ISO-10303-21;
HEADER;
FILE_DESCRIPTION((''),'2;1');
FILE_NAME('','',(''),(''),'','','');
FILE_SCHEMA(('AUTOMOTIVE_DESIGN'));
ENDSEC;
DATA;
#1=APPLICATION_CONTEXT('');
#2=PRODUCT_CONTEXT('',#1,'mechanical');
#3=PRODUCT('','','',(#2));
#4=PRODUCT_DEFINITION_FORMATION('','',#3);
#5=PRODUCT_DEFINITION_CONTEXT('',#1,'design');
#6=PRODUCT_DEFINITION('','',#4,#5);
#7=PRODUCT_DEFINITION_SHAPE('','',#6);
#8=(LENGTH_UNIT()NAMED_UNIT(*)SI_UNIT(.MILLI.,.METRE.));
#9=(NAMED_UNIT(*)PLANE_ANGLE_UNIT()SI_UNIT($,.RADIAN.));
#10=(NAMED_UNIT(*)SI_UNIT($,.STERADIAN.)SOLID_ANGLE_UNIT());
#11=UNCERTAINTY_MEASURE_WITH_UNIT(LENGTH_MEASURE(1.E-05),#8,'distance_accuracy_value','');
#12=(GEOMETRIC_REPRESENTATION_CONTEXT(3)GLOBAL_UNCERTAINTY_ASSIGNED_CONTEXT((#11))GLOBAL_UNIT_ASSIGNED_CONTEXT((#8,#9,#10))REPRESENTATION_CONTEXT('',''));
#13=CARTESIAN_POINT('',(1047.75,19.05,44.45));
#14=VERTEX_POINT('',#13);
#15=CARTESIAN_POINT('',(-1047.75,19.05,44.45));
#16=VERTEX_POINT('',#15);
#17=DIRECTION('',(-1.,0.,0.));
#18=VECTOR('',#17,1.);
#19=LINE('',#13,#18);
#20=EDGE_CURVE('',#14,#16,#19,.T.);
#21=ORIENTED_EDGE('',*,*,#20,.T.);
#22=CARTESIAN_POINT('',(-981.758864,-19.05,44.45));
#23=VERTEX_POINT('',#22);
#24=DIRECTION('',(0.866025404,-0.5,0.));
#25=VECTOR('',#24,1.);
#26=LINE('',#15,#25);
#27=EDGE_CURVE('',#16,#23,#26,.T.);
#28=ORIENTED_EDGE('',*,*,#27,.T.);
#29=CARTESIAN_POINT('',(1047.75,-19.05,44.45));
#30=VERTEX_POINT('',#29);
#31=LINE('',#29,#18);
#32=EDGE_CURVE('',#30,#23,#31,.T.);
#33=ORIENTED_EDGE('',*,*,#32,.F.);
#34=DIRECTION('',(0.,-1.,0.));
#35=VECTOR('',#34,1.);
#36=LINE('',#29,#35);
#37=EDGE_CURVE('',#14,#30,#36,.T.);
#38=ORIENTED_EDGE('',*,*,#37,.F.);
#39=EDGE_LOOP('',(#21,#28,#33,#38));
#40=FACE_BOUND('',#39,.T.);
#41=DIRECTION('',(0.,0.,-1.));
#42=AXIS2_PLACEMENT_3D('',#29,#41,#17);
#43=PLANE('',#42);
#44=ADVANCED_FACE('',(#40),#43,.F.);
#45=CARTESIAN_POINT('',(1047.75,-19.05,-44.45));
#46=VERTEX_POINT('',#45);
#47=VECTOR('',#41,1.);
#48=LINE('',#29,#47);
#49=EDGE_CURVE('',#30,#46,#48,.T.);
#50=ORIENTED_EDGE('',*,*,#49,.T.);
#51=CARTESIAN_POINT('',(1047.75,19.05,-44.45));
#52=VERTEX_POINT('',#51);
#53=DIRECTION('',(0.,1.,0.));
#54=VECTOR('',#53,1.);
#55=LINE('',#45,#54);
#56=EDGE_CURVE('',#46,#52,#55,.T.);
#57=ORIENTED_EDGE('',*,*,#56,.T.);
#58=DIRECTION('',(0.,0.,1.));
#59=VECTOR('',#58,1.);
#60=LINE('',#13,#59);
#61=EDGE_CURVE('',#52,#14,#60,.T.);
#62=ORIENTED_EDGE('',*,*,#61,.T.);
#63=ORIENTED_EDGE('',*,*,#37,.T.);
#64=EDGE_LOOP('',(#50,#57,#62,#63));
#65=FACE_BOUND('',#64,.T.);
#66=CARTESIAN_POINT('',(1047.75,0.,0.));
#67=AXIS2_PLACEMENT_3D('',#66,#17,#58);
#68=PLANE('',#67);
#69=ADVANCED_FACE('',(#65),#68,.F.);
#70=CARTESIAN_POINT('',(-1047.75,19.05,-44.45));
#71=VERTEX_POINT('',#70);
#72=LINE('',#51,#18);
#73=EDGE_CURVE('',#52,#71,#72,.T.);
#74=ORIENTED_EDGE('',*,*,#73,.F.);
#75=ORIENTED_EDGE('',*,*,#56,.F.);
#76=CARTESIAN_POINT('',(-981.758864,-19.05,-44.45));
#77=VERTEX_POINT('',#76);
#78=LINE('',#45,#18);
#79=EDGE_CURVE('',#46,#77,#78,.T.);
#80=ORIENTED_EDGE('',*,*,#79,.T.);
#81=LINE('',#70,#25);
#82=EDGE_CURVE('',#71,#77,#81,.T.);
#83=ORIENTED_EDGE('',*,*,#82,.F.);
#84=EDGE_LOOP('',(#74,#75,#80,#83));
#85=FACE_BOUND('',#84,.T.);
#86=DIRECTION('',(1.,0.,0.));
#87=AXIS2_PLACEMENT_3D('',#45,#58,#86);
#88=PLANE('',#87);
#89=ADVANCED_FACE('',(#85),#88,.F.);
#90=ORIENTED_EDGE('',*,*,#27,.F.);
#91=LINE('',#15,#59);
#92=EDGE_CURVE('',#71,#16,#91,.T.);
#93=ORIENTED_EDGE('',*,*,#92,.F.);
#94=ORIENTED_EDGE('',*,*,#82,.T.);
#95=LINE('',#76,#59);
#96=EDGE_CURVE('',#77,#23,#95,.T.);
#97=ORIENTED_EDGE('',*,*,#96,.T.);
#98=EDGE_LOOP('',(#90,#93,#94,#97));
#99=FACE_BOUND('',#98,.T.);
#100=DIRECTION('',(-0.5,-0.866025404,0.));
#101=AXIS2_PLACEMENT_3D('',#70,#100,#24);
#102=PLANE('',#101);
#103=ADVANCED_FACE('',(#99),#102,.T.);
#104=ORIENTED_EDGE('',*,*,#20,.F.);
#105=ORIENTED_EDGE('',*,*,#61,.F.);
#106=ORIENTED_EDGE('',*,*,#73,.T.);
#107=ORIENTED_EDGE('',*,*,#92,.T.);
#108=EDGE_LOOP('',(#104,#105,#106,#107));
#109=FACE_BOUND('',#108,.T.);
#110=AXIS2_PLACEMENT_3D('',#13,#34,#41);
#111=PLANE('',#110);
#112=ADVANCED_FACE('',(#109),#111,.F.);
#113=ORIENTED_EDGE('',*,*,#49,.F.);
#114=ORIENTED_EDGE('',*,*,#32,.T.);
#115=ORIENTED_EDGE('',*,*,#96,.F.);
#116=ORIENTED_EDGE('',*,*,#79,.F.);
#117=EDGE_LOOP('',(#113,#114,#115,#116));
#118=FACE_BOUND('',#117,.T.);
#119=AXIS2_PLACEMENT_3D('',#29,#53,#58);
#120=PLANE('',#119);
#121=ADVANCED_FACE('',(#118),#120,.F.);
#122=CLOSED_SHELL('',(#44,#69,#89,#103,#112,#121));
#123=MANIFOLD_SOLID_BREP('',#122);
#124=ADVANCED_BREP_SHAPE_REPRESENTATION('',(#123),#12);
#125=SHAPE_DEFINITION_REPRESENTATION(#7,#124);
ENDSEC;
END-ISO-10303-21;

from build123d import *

# Parameters (mm, degrees)
SKETCH1_W               = 88.9
SKETCH1_H               = 38.1
BOSS_EXTRUDE1_DEPTH     = 1047.75
CUT_EXTRUDE1_DEPTH      = 1049.865466826
CUT_EXTRUDE1_DEPTH_BACK = 1049.865466826


with BuildPart() as part:
    # Sketch1 → Boss-Extrude1 (new, symmetric)
    with BuildSketch(Plane(origin=(0, 0, 0), x_dir=(0, 0, -1), z_dir=(1, 0, 0))):
        Rectangle(SKETCH1_W, SKETCH1_H)
    extrude(amount=BOSS_EXTRUDE1_DEPTH, both=True)

    # Sketch3 → Cut-Extrude1 (cut, two sides: drawn at the far end of the back side and taken through both)
    with BuildSketch(Plane.XY.offset(-CUT_EXTRUDE1_DEPTH_BACK)):
        Polygon((-1047.75, 19.05), (-981.758864232, -19.05), (-1047.75, -19.05), align=None)
    extrude(amount=CUT_EXTRUDE1_DEPTH + CUT_EXTRUDE1_DEPTH_BACK, mode=Mode.SUBTRACT)


solid = part.part
